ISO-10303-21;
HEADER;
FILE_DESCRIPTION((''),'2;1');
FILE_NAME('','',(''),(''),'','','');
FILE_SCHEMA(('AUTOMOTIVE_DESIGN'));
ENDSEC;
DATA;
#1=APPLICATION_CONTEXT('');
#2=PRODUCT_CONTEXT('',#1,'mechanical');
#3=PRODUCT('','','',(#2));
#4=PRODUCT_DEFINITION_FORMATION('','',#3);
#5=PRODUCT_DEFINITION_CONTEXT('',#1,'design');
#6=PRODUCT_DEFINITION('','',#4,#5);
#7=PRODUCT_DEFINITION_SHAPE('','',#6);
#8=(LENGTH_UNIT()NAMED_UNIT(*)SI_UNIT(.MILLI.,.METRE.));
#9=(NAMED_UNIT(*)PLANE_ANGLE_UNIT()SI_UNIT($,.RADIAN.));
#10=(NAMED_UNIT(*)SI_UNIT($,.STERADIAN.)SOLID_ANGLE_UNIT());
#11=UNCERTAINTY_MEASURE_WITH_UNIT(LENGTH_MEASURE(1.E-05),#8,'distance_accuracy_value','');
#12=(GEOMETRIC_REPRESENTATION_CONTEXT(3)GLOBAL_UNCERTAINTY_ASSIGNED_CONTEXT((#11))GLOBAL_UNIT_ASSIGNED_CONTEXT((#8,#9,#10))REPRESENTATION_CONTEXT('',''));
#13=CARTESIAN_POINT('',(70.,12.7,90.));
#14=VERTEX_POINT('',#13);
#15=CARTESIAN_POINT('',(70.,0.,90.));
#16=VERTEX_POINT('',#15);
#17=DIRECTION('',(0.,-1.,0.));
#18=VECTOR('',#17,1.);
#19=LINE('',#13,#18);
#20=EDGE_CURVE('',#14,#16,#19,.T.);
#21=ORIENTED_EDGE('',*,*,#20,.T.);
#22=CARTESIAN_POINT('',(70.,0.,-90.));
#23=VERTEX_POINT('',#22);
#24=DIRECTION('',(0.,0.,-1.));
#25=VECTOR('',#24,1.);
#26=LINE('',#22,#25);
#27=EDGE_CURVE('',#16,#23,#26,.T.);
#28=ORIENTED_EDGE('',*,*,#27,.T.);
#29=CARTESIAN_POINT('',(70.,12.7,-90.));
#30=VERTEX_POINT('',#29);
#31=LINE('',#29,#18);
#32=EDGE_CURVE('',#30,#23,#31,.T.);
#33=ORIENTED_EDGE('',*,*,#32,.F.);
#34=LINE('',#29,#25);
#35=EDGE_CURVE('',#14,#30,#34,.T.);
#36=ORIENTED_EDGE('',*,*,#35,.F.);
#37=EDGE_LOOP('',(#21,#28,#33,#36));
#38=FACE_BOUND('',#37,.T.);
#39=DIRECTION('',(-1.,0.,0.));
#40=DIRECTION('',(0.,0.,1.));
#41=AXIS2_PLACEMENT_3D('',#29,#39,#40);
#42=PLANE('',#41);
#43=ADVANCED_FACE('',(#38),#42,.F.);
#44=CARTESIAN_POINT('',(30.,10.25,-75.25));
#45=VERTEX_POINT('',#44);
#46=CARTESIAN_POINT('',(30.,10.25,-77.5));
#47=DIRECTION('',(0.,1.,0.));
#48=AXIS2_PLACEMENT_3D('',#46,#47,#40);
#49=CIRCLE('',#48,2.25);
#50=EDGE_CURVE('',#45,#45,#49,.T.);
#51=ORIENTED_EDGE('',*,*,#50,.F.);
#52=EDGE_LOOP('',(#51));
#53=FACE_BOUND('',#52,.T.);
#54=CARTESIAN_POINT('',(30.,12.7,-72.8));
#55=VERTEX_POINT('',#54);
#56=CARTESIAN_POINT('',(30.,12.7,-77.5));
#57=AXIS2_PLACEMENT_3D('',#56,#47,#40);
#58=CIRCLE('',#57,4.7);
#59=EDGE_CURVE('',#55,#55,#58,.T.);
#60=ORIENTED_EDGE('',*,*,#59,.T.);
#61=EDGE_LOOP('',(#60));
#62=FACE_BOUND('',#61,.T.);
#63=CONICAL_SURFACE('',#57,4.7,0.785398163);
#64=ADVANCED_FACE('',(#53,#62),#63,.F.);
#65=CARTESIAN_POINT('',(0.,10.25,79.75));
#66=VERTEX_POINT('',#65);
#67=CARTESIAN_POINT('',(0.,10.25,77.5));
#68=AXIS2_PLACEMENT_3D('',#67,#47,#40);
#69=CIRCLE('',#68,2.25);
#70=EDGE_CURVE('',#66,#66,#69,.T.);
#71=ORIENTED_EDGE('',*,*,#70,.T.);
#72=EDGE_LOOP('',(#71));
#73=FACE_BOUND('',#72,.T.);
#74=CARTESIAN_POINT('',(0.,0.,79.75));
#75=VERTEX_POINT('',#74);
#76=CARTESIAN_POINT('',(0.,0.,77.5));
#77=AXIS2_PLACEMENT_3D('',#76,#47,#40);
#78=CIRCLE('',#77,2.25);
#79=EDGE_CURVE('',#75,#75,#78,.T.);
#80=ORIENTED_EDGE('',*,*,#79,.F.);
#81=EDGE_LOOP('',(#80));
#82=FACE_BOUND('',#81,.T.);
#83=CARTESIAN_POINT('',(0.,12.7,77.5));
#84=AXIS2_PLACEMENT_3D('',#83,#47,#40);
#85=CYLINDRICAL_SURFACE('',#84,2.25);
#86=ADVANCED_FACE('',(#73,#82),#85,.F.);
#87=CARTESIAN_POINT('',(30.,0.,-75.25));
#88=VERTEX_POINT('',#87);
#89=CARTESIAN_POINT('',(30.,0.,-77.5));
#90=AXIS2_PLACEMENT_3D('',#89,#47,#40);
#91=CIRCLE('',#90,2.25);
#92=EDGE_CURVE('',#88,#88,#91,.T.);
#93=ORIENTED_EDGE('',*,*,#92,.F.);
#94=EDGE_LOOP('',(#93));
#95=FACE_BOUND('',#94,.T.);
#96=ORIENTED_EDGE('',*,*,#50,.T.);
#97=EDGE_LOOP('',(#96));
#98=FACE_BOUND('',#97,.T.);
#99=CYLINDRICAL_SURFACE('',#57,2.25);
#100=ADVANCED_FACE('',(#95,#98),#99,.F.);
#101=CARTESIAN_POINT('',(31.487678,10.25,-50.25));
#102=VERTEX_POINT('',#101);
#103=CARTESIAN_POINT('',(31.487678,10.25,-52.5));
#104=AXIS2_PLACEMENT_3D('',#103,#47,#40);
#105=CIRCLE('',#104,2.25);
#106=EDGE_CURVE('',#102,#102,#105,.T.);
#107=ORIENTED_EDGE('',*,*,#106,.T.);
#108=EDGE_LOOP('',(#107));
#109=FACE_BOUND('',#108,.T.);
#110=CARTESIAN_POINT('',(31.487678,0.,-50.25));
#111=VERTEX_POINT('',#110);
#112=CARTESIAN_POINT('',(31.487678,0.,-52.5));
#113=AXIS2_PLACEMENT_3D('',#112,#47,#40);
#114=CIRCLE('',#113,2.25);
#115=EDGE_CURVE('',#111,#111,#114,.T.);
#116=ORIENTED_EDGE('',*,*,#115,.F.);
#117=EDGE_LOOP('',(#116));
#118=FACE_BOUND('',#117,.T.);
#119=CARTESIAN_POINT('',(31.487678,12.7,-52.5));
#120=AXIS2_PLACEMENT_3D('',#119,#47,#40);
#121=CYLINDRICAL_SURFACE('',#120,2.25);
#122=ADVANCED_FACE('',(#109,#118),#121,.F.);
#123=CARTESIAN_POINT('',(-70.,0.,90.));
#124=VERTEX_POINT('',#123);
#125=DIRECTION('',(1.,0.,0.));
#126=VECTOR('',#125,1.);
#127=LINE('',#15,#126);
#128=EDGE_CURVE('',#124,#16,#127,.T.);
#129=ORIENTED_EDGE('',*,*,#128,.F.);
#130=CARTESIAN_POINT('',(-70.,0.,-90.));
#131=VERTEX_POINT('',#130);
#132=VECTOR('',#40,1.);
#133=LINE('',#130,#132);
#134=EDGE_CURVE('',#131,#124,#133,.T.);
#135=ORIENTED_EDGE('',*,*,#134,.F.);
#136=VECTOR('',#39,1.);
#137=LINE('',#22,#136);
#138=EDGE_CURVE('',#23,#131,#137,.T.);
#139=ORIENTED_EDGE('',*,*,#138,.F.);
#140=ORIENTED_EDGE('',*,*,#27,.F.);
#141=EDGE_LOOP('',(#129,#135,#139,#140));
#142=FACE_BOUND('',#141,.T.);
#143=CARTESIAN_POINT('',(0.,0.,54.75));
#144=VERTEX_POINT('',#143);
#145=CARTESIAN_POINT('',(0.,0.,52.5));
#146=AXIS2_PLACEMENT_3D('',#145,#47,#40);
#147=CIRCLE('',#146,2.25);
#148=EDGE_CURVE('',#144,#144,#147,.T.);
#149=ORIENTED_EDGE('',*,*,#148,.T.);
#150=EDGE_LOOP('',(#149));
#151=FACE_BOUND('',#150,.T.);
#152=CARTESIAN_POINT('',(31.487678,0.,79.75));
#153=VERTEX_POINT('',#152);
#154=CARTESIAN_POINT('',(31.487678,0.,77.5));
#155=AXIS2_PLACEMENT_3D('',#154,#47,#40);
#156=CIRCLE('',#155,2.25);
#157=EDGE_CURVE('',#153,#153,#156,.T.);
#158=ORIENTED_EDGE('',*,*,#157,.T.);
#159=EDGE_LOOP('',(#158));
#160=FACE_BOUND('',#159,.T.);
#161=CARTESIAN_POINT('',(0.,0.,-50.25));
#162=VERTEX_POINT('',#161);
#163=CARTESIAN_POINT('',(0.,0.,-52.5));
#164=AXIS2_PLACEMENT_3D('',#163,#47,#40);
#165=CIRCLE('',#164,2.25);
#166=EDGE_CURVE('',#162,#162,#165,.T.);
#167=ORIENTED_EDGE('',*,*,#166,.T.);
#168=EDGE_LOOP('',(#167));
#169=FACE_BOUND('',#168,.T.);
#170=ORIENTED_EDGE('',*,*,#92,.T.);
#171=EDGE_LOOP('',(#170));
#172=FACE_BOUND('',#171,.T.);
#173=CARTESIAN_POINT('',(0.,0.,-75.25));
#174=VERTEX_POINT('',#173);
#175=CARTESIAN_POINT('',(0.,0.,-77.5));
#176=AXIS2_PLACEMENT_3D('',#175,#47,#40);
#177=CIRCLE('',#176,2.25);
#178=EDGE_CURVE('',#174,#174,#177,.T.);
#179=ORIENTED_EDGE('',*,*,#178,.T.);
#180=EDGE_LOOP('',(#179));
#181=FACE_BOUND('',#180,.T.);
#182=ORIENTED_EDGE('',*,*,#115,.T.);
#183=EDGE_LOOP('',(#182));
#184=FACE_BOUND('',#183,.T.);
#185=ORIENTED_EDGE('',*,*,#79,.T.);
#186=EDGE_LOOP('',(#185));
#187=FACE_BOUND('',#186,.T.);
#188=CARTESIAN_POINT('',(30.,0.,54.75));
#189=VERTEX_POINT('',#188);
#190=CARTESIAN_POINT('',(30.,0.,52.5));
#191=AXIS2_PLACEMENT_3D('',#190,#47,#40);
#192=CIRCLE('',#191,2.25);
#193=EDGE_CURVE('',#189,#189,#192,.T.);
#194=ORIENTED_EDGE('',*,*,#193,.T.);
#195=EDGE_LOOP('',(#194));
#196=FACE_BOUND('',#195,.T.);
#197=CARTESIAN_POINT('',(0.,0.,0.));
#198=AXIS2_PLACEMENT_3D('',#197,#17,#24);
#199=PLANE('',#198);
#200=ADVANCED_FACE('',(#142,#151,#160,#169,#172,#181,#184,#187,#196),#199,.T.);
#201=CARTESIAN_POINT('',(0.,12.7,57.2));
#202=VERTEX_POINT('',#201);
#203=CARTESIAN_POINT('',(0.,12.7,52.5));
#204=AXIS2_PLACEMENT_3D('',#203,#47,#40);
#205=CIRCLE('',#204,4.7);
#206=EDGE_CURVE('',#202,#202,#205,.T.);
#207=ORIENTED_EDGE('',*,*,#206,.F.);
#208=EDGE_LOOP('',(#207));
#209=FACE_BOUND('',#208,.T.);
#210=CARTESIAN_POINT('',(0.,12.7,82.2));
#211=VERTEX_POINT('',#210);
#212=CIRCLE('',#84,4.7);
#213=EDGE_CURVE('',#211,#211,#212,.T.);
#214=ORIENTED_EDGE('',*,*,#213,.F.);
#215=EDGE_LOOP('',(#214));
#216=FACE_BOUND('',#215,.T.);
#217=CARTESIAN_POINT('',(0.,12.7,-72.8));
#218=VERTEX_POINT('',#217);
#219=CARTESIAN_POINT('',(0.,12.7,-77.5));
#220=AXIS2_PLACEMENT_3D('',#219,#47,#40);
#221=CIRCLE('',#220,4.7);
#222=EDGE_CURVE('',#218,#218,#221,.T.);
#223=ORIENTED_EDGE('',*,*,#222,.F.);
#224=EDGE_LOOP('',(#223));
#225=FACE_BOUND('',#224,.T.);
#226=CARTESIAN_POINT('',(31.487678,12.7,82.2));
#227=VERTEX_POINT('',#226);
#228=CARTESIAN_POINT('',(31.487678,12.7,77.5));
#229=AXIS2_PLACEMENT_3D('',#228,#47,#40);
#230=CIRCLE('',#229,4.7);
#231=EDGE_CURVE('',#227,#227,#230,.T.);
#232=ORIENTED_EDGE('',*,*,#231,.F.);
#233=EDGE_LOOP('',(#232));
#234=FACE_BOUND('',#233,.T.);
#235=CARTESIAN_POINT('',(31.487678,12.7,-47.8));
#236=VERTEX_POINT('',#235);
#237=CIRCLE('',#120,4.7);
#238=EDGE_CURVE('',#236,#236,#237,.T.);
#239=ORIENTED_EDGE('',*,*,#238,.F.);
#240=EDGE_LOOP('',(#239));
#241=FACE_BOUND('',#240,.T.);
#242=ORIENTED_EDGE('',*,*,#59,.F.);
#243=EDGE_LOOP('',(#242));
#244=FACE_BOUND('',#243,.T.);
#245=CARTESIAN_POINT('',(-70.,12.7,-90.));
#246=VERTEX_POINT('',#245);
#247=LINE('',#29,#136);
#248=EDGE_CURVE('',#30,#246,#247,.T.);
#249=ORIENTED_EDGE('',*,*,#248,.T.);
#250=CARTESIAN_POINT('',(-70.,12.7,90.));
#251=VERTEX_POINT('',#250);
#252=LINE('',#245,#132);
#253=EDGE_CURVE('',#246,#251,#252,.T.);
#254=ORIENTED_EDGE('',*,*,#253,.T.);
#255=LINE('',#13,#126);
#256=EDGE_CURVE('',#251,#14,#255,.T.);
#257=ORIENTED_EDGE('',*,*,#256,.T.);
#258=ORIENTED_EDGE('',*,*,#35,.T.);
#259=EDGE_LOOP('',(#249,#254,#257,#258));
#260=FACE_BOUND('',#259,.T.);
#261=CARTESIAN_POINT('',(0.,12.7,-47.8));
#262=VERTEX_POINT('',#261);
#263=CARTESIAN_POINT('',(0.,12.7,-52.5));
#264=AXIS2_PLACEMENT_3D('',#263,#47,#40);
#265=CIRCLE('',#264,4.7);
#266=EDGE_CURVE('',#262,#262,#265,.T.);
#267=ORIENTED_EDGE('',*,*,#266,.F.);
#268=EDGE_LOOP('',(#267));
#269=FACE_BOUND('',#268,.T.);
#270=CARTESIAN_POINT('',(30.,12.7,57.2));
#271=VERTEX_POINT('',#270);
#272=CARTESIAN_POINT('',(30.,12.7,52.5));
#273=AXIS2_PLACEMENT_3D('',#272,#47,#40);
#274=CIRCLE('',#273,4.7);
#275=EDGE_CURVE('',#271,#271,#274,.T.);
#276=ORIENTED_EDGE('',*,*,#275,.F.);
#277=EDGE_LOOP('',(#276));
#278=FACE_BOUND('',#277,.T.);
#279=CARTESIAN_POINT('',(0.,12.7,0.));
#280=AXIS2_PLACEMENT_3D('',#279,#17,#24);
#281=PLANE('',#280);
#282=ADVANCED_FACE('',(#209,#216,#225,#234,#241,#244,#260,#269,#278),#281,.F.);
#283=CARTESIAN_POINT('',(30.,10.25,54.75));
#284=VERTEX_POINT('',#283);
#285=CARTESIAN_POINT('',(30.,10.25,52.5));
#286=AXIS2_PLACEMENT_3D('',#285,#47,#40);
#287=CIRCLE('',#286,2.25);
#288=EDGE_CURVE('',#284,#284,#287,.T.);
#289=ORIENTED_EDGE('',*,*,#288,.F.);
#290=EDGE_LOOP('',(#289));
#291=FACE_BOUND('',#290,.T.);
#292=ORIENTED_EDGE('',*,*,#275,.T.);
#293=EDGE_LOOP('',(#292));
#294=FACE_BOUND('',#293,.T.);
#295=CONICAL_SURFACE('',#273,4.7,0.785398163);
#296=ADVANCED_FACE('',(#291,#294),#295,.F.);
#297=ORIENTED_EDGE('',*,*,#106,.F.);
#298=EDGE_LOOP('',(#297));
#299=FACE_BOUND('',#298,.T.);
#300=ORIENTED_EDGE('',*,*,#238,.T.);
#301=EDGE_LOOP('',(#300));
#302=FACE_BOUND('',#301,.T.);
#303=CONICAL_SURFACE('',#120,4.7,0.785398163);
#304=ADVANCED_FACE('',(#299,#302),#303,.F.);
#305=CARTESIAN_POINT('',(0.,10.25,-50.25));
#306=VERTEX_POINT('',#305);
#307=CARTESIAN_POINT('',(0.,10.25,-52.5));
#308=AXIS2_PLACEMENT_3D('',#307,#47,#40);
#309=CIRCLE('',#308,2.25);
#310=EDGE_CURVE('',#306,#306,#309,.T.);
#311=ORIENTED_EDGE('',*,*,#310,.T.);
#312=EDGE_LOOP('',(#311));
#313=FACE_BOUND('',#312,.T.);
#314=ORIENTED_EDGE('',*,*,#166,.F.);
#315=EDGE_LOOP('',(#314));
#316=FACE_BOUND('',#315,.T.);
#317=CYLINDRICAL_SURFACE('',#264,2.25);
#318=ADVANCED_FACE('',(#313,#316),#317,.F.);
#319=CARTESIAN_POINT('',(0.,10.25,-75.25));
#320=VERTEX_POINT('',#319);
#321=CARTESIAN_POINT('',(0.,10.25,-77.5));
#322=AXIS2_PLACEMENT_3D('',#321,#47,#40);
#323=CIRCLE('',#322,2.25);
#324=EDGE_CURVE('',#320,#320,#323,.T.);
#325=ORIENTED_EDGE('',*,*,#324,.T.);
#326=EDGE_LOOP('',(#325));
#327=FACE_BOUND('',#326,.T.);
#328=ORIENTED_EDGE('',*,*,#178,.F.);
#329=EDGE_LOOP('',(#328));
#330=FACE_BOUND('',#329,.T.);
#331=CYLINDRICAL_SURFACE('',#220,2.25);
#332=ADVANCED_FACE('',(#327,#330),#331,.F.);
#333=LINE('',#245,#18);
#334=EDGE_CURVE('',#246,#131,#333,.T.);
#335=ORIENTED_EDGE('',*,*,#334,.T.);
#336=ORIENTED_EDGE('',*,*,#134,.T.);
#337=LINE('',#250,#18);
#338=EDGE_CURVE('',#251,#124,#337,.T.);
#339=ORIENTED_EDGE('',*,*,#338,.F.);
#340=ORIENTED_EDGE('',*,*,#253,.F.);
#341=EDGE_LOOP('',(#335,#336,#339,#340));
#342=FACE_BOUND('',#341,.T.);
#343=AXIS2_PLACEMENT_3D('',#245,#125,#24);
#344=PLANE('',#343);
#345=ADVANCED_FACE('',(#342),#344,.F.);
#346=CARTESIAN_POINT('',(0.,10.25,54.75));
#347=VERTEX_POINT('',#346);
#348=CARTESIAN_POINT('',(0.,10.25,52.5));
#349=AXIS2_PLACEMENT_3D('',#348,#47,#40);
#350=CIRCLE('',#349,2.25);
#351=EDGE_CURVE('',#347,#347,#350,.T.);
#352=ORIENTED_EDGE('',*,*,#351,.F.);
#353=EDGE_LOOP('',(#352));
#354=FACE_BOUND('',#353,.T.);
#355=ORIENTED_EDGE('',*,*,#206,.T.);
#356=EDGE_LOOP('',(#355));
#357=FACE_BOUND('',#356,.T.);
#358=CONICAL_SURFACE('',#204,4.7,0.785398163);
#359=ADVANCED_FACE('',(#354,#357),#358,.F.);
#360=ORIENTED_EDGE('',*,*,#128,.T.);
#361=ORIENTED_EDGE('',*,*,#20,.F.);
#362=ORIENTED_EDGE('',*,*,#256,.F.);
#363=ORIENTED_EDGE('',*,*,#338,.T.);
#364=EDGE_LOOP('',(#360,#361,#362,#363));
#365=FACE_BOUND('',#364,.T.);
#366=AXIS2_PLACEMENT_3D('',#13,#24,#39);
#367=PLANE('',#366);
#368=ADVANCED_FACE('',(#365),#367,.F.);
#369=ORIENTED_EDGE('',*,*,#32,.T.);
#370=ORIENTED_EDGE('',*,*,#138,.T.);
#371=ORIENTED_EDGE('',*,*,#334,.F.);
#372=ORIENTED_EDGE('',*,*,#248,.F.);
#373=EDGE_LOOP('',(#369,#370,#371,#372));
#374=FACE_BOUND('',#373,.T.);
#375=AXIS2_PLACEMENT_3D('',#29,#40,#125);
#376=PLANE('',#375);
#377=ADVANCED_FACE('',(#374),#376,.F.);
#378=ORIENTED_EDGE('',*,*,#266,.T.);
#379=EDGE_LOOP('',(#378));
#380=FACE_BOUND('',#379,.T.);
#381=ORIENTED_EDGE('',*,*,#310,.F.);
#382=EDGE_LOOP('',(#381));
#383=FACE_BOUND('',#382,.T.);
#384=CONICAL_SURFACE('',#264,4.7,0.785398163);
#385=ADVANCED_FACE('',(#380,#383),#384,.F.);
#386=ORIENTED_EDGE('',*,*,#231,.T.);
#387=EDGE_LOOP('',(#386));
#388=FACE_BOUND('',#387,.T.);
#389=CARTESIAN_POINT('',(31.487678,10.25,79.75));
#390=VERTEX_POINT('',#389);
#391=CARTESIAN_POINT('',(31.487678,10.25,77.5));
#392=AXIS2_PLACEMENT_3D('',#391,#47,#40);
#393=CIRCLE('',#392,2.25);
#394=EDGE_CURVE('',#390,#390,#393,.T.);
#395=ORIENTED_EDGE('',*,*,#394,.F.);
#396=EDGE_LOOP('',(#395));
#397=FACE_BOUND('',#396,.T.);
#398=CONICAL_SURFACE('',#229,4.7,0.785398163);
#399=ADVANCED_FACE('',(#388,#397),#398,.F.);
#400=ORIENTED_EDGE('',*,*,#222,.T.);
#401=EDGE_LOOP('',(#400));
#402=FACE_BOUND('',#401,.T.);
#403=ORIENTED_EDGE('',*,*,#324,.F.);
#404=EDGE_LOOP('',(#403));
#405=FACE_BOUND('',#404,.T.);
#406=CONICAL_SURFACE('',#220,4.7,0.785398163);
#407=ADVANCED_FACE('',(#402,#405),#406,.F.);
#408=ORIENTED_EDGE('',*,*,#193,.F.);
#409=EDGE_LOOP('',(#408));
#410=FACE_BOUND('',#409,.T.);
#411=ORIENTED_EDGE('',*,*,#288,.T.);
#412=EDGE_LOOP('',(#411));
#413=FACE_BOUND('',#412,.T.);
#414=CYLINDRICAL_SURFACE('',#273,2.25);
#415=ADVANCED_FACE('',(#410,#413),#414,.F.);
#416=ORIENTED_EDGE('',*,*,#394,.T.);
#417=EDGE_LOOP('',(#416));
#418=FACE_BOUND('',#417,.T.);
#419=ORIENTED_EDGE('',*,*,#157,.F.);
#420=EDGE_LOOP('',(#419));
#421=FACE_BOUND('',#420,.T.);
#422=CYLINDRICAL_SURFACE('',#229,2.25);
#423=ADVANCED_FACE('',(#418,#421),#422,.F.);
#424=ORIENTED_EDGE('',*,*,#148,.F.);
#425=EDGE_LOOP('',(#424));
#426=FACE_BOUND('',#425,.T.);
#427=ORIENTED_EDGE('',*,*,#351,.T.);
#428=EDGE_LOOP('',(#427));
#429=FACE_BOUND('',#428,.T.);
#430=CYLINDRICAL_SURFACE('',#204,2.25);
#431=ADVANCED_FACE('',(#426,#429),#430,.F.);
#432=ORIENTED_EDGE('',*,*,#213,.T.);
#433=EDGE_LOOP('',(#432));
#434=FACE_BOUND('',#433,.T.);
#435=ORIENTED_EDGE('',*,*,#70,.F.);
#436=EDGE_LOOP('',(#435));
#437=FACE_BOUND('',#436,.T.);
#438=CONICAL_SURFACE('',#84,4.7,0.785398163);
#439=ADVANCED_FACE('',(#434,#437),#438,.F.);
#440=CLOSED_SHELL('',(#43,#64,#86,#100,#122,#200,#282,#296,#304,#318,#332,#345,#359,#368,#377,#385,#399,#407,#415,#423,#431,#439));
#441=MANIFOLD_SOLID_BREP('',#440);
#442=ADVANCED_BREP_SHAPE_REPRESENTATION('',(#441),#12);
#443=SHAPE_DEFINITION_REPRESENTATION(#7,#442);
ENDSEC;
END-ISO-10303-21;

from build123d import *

# Parameters (mm, degrees)
SKETCH1_W                                       = 140
SKETCH1_H                                       = 180
BOSS_EXTRUDE1_DEPTH                             = 12.7
CSK_FOR_M4_FLAT_HEAD_MACHINE_SCREW1_D           = 4.5
CSK_FOR_M4_FLAT_HEAD_MACHINE_SCREW1_CSINK_D     = 9.4
CSK_FOR_M4_FLAT_HEAD_MACHINE_SCREW1_CSINK_ANGLE = 90


with BuildPart() as part:
    # Sketch1 → Boss-Extrude1 (new body)
    with BuildSketch(Plane(origin=(0, 0, 0), x_dir=(1, 0, 0), z_dir=(0, 1, 0))):
        Rectangle(SKETCH1_W, SKETCH1_H)
    extrude(amount=BOSS_EXTRUDE1_DEPTH)

    # CSK for M4 Flat Head Machine Screw1 (through all)
    with Locations(Plane(origin=(0, 12.7, 0), x_dir=(1, 0, 0), z_dir=(0, 1, 0))):
        with Locations((0, -52.5), (30, -52.5), (31.487677762, -77.5), (0, -77.5), (0, 77.5), (30, 77.5), (31.487677762, 52.5), (0, 52.5)):
            CounterSinkHole(CSK_FOR_M4_FLAT_HEAD_MACHINE_SCREW1_D / 2, CSK_FOR_M4_FLAT_HEAD_MACHINE_SCREW1_CSINK_D / 2, counter_sink_angle=CSK_FOR_M4_FLAT_HEAD_MACHINE_SCREW1_CSINK_ANGLE)


solid = part.part
